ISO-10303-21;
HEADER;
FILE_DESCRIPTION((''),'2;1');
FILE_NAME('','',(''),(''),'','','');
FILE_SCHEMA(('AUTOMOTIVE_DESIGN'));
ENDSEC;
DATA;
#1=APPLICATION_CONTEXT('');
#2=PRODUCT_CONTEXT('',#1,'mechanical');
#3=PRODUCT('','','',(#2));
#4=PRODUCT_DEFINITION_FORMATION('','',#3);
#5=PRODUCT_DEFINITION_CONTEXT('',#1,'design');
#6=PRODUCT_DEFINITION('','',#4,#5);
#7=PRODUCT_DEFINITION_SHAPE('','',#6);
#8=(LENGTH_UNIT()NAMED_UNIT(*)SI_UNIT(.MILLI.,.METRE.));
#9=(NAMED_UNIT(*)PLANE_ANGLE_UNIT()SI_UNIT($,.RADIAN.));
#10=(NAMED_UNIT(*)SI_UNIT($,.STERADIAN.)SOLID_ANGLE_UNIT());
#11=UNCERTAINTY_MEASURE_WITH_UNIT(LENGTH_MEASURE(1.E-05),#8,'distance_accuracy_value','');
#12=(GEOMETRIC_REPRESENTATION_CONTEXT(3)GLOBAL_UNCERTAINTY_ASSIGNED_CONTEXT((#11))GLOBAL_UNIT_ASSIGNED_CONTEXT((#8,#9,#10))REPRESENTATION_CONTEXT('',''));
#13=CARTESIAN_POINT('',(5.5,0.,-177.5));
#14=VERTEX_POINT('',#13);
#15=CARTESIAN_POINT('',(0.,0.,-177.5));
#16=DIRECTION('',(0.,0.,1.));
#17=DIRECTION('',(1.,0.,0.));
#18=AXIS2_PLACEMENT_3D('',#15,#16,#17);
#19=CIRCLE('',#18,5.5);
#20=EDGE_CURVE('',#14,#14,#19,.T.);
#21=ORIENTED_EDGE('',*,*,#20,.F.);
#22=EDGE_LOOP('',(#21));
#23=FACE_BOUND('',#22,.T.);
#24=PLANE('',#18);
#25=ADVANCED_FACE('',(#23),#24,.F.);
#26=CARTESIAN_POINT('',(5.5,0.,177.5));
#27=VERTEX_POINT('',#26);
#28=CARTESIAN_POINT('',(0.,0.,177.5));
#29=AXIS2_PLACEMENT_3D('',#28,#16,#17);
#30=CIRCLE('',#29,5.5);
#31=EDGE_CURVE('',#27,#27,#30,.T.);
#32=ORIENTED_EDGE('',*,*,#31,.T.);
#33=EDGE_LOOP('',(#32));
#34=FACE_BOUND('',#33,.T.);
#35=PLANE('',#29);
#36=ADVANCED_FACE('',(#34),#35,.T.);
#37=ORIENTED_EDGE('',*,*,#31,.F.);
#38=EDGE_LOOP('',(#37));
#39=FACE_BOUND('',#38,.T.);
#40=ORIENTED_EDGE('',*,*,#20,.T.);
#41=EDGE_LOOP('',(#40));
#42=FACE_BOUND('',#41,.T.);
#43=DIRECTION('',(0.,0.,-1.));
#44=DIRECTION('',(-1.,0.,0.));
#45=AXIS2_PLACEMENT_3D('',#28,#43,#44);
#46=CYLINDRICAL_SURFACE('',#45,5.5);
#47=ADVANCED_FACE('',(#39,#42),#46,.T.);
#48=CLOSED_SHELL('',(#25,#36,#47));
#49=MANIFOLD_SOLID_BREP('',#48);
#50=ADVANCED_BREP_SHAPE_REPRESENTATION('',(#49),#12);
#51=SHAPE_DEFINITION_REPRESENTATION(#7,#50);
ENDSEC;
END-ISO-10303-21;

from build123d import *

# Parameters (mm, degrees)
SKETCH1_R           = 5.5
BOSS_EXTRUDE1_DEPTH = 177.5


with BuildPart() as part:
    # Sketch1 → Boss-Extrude1 (new body, symmetric)
    with BuildSketch(Plane.XY):
        Circle(SKETCH1_R)
    extrude(amount=BOSS_EXTRUDE1_DEPTH, both=True)


solid = part.part
